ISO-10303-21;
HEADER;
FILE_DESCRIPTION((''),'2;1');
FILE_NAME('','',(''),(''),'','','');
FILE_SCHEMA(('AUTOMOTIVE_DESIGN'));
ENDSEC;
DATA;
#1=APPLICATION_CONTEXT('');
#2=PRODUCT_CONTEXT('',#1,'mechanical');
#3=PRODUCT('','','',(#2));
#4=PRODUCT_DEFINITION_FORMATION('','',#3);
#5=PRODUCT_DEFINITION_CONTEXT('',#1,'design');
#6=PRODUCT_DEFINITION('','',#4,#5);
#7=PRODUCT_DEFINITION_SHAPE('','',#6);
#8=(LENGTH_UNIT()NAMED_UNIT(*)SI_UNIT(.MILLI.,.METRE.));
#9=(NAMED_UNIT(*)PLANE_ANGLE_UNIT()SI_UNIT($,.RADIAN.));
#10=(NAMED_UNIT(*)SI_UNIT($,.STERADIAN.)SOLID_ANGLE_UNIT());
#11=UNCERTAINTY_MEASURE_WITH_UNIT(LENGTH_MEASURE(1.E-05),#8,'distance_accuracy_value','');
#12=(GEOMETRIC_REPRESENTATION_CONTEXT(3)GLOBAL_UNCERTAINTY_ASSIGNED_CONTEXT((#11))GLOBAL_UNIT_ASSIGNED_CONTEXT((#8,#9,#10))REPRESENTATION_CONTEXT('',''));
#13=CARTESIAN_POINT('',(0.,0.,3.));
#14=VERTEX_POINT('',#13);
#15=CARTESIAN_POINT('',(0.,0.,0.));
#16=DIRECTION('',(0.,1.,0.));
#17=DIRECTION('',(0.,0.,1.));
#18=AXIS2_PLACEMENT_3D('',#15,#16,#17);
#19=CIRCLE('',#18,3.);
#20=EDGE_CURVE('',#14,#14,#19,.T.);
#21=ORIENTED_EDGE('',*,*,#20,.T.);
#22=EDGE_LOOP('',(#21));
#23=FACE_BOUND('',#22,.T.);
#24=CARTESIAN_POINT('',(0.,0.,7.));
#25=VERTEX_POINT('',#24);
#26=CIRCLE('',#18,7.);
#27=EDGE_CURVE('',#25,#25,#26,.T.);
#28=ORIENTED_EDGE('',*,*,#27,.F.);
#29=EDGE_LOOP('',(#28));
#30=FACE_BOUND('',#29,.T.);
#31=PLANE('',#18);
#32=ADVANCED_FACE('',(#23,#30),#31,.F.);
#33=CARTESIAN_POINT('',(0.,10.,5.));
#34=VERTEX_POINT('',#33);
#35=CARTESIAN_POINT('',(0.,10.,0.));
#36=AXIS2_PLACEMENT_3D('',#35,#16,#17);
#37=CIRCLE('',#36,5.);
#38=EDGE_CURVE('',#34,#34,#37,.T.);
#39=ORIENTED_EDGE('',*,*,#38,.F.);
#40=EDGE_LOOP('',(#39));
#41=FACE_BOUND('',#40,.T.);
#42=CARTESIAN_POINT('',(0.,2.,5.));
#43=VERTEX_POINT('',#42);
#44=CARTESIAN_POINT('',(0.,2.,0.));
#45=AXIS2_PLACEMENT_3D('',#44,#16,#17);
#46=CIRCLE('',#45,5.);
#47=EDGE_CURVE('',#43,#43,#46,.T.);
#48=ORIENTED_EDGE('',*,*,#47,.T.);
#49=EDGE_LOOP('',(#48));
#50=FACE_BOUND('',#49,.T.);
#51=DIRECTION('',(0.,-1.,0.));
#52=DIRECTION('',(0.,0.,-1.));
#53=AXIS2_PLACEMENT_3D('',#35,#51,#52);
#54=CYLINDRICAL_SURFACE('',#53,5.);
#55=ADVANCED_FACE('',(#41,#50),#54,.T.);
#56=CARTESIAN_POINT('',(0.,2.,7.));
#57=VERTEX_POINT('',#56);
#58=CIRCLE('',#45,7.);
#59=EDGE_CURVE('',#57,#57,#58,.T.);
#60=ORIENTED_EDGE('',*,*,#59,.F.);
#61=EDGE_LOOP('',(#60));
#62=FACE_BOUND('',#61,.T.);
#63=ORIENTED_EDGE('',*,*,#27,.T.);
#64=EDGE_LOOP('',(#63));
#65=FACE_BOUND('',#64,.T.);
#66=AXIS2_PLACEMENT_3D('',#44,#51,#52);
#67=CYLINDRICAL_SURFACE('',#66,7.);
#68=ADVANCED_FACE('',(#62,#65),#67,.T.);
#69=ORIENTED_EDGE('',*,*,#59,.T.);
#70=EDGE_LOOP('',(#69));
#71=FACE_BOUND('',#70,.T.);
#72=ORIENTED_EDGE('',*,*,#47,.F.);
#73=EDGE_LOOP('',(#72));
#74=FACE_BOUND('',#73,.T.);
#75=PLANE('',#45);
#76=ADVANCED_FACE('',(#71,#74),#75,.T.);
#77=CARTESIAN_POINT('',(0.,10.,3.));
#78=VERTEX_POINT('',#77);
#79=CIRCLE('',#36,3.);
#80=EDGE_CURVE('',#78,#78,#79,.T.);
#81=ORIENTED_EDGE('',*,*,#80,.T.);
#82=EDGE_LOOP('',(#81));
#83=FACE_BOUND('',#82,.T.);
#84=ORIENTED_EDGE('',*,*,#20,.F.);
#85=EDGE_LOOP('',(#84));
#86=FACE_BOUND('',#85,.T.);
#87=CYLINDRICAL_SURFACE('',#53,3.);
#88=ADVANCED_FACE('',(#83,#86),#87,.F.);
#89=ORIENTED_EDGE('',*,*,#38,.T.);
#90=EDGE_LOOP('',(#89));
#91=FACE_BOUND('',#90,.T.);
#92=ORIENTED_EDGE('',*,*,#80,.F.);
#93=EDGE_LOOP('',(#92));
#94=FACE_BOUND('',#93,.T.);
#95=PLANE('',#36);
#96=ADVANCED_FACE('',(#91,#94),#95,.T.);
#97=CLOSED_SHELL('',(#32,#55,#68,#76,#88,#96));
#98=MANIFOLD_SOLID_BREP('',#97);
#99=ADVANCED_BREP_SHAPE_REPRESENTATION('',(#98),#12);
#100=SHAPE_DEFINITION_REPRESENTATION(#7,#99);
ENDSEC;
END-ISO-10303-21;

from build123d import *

# Parameters (mm, degrees)
SKETCH2_R           = 5
SKETCH2_R_2         = 3
BOSS_EXTRUDE1_DEPTH = 10
SKETCH3_R           = 7
SKETCH3_R_2         = 5
BOSS_EXTRUDE2_DEPTH = 2


with BuildPart() as part:
    # Sketch2 → Boss-Extrude1 (new body)
    with BuildSketch(Plane(origin=(0, 0, 0), x_dir=(1, 0, 0), z_dir=(0, 1, 0))):
        Circle(SKETCH2_R)
        Circle(SKETCH2_R_2, mode=Mode.SUBTRACT)
    extrude(amount=BOSS_EXTRUDE1_DEPTH)

    # Sketch3 → Boss-Extrude2 (add)
    with BuildSketch(Plane(origin=(0, 0, 0), x_dir=(1, 0, 0), z_dir=(0, 1, 0))):
        Circle(SKETCH3_R)
        Circle(SKETCH3_R_2, mode=Mode.SUBTRACT)
    extrude(amount=BOSS_EXTRUDE2_DEPTH)


solid = part.part
